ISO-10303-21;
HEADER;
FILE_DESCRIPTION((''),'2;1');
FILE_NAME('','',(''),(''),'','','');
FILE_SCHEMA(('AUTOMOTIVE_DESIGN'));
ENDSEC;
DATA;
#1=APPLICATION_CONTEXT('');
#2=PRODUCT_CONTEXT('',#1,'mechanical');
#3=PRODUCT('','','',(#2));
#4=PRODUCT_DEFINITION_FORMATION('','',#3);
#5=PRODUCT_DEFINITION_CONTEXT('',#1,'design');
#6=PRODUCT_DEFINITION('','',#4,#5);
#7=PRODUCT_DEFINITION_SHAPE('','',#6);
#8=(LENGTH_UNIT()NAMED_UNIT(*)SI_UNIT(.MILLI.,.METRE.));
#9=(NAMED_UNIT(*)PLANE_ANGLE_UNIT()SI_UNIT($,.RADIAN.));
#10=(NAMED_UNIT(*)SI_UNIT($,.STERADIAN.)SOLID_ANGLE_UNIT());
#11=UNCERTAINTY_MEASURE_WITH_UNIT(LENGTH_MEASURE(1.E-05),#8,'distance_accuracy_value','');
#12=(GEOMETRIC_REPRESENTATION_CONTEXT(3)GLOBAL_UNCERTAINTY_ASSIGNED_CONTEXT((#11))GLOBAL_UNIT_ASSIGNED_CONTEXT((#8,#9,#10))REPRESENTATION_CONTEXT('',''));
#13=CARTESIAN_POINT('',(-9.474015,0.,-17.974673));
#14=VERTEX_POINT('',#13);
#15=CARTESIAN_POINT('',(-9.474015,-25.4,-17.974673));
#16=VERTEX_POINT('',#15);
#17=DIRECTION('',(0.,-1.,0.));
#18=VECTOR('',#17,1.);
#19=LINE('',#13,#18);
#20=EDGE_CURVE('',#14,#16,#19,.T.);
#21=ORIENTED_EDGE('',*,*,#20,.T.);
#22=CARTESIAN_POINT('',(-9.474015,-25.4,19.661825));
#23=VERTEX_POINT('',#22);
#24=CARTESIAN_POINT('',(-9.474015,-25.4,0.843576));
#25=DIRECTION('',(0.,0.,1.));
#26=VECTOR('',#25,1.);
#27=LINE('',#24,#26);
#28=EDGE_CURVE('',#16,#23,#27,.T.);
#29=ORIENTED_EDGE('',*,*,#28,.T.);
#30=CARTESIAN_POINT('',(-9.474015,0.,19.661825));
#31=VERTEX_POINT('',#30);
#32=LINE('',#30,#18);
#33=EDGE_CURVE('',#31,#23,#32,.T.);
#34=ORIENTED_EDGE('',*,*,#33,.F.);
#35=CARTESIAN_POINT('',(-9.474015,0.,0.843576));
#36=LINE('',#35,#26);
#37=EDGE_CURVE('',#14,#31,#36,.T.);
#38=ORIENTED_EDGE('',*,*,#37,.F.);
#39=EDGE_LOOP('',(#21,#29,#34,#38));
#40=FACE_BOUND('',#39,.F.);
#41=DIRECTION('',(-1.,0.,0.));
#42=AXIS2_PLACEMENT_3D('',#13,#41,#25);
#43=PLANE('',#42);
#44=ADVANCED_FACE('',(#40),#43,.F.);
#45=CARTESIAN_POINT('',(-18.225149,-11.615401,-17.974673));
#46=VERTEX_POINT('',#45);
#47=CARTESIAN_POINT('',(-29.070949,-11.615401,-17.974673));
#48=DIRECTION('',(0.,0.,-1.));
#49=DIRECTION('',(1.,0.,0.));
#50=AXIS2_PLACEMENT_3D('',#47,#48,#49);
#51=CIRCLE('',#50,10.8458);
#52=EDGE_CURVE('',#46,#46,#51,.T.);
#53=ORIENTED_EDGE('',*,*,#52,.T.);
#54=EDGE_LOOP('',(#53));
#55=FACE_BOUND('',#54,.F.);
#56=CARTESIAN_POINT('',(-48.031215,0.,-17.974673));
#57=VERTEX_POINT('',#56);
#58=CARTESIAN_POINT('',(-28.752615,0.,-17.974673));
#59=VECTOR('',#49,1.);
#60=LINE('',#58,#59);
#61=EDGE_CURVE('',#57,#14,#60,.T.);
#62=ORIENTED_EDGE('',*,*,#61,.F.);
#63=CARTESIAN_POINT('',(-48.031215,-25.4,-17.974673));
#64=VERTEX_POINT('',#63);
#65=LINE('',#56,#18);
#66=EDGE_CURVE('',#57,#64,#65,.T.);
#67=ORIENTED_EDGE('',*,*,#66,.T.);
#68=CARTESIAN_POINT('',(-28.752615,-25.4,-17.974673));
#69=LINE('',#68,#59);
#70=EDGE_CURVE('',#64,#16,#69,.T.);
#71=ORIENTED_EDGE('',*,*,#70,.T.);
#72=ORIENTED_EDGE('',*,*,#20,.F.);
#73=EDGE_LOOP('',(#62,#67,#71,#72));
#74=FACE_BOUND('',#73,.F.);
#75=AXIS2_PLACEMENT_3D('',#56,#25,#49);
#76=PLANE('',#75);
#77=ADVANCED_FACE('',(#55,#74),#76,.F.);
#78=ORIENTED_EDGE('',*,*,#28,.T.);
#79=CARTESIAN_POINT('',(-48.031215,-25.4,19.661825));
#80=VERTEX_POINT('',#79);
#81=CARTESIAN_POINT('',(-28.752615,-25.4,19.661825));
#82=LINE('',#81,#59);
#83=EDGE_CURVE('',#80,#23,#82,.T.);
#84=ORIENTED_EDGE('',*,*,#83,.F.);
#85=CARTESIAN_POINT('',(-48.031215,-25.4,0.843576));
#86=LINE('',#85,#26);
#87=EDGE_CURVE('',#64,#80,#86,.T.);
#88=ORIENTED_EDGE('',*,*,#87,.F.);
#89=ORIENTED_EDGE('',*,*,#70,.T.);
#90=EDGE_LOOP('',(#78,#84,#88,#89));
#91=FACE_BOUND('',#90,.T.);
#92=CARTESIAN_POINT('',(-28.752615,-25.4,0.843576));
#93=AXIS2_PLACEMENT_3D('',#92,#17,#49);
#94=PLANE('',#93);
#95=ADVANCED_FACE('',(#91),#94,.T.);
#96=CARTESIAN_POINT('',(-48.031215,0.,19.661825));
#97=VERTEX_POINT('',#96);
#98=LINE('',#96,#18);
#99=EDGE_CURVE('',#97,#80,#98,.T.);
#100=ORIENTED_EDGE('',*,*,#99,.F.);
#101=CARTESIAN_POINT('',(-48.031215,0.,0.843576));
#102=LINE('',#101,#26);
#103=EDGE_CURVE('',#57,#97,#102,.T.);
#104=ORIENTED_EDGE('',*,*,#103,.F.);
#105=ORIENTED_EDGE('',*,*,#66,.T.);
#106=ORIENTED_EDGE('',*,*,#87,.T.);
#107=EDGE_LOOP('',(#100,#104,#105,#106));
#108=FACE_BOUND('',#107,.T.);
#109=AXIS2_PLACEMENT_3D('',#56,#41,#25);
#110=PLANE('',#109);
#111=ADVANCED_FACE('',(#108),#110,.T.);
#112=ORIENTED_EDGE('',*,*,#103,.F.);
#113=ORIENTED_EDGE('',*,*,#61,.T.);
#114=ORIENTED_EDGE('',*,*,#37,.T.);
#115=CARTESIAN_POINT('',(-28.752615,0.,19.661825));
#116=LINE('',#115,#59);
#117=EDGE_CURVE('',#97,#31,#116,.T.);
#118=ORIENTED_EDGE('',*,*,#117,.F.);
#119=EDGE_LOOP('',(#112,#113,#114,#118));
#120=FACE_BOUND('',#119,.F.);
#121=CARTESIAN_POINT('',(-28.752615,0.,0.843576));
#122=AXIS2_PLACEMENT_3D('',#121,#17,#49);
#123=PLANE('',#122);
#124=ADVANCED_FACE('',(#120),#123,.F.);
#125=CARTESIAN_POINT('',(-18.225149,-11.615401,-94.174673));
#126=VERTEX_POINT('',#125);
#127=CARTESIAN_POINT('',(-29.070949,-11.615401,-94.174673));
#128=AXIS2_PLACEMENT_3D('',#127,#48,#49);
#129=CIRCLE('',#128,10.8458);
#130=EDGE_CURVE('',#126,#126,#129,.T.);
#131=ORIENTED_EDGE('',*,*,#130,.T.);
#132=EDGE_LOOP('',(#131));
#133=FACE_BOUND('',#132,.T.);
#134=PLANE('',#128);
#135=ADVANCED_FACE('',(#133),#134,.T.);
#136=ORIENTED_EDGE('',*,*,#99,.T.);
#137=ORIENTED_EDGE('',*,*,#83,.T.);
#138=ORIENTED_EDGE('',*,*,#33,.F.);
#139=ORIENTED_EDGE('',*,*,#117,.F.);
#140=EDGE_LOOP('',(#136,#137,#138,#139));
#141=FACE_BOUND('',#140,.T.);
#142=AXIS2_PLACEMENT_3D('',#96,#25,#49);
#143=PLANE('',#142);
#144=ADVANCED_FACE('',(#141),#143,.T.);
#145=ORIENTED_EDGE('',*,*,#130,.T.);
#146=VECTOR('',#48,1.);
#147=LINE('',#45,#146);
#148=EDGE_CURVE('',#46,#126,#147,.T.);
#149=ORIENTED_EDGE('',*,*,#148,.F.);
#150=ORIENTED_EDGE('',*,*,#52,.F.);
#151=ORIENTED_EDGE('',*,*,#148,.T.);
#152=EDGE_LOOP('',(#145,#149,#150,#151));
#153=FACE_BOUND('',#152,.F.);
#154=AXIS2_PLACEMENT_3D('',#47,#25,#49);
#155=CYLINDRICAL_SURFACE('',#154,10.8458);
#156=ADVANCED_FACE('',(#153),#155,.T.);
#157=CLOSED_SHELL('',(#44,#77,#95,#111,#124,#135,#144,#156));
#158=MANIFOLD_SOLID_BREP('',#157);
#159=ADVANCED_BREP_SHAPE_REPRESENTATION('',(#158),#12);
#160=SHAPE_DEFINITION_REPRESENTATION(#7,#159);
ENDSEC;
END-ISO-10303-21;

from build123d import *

# Parameters (mm, degrees)
F0_W     = 38.5572
F0_H     = 37.636498
F1_DEPTH = 25.4
F2_R     = 10.8458
F3_DEPTH = 76.2


with BuildPart() as f1:
    # F0 (on Front) → F1 (new body)
    with BuildSketch(Plane.XZ):
        with Locations((-28.752615, 0.843576)):
            Rectangle(F0_W, F0_H)
    extrude(amount=F1_DEPTH)

    # F2 (on face) → F3 (join)
    with BuildSketch(Plane(origin=(0, 0, -17.974673), x_dir=(1, 0, 0), z_dir=(0, 0, -1))):
        with Locations((-29.070949, 11.615401)):
            Circle(F2_R)
    extrude(amount=F3_DEPTH)


solid = f1.part
